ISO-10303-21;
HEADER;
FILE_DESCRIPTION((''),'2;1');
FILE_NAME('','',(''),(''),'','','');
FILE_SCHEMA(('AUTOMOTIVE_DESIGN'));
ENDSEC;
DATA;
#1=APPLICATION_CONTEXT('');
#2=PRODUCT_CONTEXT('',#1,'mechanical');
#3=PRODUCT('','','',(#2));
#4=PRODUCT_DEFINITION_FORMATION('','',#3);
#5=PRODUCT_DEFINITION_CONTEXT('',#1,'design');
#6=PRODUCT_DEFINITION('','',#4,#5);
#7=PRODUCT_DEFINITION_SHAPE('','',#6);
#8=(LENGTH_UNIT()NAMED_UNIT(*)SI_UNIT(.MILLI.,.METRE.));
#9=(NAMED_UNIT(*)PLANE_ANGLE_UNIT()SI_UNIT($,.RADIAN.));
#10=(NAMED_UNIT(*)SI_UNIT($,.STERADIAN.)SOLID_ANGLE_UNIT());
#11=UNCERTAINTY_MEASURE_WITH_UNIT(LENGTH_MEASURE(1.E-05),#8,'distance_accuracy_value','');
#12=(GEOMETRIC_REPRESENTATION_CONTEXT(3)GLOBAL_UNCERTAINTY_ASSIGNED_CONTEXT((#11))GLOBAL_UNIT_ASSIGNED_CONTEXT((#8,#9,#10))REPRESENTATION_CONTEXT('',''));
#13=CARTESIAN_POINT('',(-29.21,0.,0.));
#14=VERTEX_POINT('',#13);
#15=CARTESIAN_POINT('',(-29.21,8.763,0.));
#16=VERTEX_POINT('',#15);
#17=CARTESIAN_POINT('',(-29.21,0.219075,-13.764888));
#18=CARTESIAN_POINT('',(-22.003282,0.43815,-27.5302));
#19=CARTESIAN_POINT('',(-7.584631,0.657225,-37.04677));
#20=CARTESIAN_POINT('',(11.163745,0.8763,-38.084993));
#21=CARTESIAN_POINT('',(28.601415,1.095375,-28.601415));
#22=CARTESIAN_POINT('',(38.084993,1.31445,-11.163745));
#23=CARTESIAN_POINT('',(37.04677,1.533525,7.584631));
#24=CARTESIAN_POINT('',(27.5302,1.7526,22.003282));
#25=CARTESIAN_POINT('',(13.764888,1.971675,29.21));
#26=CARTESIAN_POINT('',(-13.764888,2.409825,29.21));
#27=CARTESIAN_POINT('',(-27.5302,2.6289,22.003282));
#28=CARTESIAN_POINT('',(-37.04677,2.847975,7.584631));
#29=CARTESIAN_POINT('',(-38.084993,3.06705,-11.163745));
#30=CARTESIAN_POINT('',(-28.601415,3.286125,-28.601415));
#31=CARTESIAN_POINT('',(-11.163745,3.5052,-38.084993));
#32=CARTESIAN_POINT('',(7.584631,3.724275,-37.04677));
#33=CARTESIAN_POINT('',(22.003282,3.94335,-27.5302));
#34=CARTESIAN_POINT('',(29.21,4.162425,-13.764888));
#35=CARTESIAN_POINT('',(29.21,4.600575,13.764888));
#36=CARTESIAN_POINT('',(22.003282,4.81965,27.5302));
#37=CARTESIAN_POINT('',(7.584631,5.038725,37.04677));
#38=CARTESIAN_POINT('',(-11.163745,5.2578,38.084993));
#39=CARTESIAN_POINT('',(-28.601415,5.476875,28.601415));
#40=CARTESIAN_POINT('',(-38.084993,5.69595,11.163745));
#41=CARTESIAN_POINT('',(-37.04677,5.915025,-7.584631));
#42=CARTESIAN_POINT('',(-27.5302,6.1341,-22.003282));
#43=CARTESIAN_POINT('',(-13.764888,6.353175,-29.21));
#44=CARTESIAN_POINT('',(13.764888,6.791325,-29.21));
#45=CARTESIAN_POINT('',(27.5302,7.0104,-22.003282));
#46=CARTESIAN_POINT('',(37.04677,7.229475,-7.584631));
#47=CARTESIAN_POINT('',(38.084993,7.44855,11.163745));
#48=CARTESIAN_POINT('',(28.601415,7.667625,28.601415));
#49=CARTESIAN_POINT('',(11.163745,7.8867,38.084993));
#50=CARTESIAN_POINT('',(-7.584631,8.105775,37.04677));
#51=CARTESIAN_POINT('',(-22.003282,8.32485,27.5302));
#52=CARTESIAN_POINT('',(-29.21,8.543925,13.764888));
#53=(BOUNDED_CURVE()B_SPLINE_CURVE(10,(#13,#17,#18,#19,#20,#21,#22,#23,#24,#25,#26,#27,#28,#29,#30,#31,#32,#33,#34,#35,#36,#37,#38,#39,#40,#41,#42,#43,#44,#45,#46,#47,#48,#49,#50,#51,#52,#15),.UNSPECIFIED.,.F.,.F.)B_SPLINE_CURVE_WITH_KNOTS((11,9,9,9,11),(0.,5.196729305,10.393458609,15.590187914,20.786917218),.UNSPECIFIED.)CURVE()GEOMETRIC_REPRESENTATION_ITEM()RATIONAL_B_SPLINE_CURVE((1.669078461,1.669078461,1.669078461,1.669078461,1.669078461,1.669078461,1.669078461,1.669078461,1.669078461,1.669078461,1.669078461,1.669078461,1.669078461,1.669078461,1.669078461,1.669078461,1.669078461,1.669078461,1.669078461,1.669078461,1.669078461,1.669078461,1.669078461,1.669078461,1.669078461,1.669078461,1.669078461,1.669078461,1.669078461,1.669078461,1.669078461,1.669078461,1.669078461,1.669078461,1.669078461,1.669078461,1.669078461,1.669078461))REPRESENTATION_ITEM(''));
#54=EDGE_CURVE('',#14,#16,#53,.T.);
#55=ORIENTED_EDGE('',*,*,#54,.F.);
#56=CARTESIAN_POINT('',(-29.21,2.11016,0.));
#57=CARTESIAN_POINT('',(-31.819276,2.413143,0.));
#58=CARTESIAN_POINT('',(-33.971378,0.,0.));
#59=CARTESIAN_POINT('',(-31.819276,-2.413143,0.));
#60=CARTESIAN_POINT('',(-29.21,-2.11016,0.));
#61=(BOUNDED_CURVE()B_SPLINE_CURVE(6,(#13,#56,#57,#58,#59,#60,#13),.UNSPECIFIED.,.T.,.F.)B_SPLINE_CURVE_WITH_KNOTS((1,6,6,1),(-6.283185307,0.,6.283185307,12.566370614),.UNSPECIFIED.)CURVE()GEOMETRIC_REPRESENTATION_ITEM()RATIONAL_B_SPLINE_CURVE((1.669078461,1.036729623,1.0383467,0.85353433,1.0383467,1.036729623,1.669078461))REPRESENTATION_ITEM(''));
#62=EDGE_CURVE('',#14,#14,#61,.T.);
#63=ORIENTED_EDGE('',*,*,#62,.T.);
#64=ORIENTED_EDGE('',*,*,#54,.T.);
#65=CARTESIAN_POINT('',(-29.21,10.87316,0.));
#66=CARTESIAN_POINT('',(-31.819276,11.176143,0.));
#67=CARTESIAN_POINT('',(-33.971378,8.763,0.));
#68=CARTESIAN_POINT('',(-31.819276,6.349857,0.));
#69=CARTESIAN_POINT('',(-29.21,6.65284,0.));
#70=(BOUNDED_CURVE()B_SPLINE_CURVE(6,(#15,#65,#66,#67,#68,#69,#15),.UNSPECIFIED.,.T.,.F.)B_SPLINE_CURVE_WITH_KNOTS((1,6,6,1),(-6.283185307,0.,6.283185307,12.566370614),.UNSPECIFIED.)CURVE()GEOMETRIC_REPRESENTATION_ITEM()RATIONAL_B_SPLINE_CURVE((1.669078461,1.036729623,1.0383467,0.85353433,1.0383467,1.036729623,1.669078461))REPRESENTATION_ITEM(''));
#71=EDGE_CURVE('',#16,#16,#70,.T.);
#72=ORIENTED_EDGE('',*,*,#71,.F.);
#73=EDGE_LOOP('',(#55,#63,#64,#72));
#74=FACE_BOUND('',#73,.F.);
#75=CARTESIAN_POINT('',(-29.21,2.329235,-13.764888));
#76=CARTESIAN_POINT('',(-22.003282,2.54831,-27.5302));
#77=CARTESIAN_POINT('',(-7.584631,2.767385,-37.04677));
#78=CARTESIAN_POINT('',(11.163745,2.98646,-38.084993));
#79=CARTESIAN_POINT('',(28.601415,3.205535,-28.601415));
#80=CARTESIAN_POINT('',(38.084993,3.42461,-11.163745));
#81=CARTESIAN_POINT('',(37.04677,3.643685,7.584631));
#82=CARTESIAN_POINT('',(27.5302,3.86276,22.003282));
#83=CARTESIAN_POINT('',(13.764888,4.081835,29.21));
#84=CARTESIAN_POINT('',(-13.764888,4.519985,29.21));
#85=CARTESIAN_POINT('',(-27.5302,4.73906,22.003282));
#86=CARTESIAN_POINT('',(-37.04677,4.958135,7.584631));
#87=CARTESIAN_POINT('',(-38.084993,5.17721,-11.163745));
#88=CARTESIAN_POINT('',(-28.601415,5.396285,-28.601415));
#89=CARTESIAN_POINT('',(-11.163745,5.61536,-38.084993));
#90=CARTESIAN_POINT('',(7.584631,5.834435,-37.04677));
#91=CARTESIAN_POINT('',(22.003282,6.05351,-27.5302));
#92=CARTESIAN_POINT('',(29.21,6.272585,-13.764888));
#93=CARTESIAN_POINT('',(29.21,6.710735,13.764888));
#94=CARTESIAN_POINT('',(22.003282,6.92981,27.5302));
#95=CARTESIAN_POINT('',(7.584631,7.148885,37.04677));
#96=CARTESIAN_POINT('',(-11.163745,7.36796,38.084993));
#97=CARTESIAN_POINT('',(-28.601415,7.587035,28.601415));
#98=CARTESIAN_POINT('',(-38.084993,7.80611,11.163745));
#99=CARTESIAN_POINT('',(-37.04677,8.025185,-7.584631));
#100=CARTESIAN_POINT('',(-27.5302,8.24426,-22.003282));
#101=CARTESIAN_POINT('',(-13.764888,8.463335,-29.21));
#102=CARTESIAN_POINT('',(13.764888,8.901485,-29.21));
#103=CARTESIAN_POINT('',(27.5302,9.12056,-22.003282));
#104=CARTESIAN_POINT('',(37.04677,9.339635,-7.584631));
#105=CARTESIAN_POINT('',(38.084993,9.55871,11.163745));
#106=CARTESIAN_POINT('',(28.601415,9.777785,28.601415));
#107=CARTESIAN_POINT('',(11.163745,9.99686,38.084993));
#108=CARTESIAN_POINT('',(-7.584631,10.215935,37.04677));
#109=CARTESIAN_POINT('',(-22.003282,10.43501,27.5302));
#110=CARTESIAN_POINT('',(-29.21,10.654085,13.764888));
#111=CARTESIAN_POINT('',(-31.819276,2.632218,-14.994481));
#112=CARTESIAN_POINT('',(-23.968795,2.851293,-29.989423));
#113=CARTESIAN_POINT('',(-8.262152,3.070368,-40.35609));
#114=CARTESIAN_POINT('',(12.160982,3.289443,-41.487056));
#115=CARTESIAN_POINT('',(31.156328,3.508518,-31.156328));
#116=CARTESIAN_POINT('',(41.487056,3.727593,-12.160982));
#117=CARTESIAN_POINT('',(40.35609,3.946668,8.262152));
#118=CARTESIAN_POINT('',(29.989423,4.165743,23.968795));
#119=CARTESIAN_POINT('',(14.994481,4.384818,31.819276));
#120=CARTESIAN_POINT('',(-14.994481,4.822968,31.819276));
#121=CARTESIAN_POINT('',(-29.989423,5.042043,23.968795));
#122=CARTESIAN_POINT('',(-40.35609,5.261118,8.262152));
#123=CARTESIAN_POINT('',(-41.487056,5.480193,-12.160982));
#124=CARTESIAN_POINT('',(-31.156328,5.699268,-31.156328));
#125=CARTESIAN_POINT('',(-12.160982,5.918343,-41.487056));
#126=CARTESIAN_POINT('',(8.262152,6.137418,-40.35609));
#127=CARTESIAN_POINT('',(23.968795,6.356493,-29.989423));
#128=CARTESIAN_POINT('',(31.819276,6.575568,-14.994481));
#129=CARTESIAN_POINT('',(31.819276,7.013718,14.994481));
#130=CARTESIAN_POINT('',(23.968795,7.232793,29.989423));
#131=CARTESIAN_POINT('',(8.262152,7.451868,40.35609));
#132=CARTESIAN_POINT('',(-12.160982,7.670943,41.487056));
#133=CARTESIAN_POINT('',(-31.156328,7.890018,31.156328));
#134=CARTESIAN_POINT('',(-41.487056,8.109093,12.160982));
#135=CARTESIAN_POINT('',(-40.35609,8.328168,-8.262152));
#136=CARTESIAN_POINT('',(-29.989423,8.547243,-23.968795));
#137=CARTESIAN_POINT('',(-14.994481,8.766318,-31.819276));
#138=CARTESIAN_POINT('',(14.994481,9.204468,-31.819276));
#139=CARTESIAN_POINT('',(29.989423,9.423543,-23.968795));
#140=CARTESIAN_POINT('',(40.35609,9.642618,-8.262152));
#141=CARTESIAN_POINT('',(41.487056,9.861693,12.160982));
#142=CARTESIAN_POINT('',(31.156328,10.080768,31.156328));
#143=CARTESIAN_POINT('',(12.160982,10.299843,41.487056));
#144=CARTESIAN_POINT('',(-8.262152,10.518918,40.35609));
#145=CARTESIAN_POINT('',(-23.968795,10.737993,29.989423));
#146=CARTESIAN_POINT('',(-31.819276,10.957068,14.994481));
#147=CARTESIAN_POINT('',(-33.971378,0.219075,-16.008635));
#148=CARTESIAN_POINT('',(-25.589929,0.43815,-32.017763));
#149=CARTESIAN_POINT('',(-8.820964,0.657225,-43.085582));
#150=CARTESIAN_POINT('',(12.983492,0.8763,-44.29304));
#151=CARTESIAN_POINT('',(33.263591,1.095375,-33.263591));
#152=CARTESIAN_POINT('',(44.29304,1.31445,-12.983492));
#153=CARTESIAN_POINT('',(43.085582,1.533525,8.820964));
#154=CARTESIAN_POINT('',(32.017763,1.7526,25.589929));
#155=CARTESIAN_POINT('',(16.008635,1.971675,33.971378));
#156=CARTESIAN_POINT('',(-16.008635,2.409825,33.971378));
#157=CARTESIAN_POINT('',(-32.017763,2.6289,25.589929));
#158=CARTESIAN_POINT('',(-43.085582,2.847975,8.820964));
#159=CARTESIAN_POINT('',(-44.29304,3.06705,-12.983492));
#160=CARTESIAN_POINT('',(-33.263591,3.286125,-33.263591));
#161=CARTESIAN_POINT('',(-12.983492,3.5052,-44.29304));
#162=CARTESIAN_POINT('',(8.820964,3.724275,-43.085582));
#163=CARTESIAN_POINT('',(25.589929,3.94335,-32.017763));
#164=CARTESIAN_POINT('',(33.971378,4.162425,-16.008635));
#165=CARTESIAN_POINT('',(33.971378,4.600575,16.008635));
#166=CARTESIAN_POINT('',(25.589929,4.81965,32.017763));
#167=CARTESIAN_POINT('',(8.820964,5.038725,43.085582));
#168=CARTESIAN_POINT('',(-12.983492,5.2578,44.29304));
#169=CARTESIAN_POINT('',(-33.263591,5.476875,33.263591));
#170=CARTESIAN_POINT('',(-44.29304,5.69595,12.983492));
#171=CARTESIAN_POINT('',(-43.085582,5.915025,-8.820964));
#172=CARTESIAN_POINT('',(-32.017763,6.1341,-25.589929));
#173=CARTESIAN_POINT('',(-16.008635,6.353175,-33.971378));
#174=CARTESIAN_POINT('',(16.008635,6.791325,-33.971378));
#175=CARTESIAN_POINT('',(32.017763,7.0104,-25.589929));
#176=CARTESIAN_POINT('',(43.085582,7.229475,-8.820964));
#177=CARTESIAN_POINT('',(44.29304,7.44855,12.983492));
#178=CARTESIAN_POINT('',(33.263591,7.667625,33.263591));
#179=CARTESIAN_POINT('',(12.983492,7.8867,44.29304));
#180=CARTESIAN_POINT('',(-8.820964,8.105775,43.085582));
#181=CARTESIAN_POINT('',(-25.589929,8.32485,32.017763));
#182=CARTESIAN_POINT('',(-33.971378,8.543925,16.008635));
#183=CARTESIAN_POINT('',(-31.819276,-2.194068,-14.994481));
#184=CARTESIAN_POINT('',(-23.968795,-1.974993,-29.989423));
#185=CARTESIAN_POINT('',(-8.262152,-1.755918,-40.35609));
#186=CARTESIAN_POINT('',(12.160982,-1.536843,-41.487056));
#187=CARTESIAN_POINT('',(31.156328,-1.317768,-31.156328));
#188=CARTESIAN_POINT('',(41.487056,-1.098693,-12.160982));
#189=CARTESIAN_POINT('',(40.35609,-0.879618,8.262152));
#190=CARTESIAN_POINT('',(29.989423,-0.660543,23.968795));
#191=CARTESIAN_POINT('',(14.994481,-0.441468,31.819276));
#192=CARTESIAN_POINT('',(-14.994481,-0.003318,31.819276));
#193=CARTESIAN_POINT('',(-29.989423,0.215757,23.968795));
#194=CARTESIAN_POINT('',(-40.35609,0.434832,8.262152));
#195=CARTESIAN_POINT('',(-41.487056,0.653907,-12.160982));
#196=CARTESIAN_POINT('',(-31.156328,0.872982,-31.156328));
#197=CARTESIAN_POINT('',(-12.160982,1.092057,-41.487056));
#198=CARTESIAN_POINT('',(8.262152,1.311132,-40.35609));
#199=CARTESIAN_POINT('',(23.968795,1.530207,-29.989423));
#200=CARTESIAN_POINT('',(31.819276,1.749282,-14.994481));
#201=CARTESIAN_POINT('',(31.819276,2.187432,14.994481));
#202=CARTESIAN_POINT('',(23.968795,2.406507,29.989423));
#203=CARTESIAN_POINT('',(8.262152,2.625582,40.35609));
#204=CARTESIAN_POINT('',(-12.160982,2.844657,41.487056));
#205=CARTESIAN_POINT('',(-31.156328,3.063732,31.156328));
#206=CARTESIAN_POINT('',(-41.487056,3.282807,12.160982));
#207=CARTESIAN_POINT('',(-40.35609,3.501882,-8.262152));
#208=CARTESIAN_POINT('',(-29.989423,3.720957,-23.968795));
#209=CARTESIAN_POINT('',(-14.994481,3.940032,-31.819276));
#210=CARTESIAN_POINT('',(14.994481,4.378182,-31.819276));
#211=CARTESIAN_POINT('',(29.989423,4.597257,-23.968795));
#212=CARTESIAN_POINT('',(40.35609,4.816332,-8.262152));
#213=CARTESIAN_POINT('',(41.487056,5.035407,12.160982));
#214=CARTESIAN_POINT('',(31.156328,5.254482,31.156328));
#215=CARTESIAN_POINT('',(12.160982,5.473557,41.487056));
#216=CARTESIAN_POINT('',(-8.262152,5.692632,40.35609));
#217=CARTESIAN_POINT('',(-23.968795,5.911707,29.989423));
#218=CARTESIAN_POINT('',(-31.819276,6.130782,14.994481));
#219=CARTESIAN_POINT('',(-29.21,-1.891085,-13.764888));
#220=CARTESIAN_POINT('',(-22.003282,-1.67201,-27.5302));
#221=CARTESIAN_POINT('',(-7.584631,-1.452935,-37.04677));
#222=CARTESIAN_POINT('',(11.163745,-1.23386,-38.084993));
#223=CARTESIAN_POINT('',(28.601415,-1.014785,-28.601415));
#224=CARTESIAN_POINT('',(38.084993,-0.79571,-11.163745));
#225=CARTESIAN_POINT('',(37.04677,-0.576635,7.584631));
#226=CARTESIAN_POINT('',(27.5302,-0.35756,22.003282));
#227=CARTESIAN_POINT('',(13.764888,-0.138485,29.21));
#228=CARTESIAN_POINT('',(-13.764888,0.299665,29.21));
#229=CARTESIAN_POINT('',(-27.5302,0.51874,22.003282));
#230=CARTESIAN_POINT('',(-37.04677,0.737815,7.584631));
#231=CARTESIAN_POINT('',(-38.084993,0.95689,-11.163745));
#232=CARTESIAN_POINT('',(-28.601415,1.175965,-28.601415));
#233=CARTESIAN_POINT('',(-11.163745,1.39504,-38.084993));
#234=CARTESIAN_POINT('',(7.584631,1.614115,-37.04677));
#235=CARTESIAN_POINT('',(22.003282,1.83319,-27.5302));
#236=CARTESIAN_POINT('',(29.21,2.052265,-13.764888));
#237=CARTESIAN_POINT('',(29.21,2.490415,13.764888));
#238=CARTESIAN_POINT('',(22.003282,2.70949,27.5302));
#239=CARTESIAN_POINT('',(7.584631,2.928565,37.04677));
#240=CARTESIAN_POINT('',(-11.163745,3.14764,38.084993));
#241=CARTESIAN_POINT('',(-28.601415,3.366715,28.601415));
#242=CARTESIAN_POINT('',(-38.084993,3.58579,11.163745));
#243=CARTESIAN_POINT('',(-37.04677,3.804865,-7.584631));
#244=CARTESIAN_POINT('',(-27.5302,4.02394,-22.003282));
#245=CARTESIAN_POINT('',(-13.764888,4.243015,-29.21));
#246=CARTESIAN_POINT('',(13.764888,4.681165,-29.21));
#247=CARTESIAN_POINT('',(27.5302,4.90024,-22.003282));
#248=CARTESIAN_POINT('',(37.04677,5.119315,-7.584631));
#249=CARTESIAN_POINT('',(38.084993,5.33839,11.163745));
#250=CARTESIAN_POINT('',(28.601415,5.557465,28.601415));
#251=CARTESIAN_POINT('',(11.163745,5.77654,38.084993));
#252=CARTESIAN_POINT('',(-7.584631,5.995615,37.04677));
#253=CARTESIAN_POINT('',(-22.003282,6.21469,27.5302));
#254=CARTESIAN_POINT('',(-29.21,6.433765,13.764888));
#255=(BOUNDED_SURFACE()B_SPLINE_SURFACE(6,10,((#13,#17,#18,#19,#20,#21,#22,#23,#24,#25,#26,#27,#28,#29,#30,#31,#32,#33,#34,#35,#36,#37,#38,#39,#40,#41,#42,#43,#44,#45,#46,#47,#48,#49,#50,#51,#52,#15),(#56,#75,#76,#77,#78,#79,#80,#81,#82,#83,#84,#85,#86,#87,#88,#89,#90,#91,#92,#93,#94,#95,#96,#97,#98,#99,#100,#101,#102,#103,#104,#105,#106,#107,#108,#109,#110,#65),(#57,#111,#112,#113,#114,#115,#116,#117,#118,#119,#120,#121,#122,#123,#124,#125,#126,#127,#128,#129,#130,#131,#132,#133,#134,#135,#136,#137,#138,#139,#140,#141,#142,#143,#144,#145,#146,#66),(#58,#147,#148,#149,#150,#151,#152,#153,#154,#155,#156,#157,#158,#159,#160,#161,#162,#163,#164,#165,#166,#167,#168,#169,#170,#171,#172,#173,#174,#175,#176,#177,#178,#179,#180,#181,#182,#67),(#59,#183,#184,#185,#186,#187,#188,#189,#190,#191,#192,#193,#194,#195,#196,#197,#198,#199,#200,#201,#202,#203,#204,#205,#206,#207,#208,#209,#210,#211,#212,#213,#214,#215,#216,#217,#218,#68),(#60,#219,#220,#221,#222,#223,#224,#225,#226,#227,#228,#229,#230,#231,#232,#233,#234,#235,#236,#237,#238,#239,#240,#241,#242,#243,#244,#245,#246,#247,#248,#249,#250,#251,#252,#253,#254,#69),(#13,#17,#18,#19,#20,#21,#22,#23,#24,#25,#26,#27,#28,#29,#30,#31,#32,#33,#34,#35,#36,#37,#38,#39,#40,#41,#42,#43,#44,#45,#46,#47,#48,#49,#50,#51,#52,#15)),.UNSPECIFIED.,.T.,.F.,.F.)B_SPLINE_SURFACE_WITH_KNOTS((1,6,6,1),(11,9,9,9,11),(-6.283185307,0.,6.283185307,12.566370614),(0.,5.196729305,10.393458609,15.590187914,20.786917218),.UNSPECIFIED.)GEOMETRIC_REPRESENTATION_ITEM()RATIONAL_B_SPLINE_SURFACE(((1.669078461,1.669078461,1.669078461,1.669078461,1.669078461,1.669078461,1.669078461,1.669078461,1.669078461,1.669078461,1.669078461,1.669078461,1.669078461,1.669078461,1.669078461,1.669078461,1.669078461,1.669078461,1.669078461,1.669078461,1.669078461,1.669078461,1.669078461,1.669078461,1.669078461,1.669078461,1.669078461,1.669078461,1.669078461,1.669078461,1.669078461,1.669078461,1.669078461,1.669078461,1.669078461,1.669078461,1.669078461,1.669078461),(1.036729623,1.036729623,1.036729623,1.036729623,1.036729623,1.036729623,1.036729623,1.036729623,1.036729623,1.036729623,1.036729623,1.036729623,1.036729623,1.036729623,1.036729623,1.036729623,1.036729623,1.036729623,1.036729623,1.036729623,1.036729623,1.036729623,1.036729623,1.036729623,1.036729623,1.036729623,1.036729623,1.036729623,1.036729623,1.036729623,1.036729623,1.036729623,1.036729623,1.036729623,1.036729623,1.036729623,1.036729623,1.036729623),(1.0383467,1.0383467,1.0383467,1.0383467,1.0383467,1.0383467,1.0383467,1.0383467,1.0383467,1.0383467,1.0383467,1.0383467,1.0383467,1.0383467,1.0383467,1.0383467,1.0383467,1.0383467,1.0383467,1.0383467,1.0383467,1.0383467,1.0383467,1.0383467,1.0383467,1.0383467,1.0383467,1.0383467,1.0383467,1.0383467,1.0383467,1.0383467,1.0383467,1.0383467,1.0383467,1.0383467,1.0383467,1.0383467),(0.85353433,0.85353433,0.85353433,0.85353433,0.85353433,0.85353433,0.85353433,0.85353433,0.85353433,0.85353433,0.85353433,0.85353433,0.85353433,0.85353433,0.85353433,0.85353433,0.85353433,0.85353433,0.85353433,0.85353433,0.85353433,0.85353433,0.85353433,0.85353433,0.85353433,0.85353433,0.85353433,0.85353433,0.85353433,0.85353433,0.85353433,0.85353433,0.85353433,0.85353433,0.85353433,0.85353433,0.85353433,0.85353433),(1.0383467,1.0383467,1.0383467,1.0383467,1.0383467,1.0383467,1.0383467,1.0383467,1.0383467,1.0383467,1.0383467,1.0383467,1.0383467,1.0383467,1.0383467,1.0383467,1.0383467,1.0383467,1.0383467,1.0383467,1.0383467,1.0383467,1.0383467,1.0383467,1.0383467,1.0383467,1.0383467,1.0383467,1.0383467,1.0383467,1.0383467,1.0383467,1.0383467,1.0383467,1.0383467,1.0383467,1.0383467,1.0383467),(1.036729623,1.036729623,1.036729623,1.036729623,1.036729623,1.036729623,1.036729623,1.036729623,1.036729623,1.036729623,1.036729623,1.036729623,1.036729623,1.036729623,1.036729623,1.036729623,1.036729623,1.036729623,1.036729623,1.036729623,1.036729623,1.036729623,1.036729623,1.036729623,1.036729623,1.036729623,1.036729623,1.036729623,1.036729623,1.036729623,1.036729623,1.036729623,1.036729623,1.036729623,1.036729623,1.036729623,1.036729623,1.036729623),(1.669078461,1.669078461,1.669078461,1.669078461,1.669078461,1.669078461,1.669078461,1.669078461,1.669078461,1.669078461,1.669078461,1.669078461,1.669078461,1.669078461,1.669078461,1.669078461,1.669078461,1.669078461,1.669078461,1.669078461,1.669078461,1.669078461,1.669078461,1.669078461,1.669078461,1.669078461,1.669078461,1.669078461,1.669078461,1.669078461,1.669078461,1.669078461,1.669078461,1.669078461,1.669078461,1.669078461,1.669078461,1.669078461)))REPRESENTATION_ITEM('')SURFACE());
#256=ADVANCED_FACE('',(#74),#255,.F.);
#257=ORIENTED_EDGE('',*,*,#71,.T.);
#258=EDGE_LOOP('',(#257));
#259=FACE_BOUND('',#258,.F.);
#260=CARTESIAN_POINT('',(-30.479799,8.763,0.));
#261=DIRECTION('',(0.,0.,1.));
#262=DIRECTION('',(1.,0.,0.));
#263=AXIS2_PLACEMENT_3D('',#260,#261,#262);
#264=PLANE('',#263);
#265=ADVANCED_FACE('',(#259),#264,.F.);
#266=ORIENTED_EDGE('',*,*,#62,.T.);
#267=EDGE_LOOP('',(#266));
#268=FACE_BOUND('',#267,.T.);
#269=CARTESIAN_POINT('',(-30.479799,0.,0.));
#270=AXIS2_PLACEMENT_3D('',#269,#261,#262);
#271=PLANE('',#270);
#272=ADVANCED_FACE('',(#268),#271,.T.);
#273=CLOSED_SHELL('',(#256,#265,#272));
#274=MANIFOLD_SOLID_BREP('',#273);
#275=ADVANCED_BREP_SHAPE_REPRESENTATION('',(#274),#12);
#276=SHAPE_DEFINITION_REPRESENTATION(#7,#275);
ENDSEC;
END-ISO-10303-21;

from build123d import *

# Parameters (mm, degrees)
SWEEP1_PITCH       = 2.921
SWEEP1_HEIGHT      = 8.763
SWEEP1_RADIUS      = 30.48
SWEEP1_START_ANGLE = -90
SKETCH3_R          = 1.27


with BuildPart() as part:
    # Sweep1: sweep along a helix
    with BuildLine() as sweep1_path:
        add(Helix(SWEEP1_PITCH, SWEEP1_HEIGHT, SWEEP1_RADIUS, center=(0, 0, 0), direction=(0, 1, 0), lefthand=True, mode=Mode.PRIVATE).rotate(Axis((0, 0, 0), (0, 1, 0)), SWEEP1_START_ANGLE))
    # Sketch3 → Sweep1 (sweep)
    with BuildSketch(Plane.XY):
        with Locations((-30.48, 0)):
            Circle(SKETCH3_R)
    sweep(path=sweep1_path.line, is_frenet=True)


solid = part.part
